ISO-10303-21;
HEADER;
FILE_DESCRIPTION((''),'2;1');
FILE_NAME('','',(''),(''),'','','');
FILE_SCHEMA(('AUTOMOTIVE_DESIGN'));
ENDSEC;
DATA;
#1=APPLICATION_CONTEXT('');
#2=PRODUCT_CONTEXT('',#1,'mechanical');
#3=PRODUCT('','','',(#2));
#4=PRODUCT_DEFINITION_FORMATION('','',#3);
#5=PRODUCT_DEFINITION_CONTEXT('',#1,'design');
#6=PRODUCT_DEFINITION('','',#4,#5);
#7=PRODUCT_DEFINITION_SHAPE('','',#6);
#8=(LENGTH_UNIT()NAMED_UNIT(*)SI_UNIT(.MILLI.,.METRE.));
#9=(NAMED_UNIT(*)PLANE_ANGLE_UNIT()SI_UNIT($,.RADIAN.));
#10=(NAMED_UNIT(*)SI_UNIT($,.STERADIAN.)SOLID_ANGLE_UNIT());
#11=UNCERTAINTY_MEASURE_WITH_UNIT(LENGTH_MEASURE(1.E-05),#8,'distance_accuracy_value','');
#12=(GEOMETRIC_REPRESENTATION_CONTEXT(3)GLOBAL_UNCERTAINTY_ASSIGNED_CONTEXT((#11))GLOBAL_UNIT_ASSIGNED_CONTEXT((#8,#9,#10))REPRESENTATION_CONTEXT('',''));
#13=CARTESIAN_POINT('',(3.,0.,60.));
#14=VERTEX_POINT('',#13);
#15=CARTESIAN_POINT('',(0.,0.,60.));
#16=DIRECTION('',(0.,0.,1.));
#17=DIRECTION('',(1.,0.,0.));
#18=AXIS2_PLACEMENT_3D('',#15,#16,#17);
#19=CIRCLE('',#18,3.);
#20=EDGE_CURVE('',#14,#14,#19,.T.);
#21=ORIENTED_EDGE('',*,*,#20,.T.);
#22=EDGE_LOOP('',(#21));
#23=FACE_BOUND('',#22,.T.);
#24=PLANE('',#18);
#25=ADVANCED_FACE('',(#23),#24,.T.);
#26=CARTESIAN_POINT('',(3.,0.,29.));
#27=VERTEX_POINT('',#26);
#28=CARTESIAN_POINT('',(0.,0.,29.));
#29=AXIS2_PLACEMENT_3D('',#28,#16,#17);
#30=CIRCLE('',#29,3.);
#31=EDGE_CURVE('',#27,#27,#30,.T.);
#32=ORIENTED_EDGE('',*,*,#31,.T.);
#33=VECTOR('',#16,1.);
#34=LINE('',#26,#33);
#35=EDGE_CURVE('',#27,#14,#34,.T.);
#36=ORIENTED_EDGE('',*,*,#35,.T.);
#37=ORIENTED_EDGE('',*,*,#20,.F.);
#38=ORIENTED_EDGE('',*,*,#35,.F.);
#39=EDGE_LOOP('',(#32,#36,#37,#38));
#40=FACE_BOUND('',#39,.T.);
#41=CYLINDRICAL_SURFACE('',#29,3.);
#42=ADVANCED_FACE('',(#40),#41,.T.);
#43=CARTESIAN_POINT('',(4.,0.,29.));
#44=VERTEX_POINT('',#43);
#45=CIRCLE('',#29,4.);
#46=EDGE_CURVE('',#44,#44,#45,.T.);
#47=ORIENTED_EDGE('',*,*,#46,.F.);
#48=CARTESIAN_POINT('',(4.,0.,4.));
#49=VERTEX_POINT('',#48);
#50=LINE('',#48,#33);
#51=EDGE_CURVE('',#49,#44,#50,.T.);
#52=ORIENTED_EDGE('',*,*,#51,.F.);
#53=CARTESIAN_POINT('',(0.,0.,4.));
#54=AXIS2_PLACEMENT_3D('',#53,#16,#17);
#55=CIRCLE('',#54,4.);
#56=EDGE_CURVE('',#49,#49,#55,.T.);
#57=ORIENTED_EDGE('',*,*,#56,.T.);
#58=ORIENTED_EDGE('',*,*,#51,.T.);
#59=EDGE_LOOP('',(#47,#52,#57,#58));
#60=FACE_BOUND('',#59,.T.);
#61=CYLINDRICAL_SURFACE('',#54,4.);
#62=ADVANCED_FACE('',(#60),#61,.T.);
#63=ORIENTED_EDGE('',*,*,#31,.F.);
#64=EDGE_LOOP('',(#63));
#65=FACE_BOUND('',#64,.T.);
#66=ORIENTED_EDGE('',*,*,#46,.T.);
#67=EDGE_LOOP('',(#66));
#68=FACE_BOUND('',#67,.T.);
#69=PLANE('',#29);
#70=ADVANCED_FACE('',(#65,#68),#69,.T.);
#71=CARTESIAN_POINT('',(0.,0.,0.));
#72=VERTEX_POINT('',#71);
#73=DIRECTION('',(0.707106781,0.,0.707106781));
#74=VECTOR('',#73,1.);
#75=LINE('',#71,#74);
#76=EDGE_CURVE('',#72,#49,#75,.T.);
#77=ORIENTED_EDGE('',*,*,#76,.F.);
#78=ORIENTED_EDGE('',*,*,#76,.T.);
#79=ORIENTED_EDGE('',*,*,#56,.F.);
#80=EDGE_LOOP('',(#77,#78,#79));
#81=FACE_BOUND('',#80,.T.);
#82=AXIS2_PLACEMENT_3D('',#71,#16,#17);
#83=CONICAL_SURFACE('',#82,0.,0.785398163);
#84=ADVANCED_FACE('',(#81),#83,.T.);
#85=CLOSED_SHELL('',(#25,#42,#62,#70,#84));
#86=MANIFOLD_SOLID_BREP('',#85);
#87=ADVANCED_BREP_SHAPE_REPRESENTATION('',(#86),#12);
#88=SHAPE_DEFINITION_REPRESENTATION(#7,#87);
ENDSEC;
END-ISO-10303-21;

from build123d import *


with BuildPart() as part:
    # Sketch → Revolution (revolve)
    with BuildSketch(Plane.XZ):
        Polygon((0, 0), (4, 4), (4, 29), (3, 29), (3, 60), (0, 60), align=None)
    revolve(axis=Axis((0, 0, 0), (0, 0, 1)))


solid = part.part
